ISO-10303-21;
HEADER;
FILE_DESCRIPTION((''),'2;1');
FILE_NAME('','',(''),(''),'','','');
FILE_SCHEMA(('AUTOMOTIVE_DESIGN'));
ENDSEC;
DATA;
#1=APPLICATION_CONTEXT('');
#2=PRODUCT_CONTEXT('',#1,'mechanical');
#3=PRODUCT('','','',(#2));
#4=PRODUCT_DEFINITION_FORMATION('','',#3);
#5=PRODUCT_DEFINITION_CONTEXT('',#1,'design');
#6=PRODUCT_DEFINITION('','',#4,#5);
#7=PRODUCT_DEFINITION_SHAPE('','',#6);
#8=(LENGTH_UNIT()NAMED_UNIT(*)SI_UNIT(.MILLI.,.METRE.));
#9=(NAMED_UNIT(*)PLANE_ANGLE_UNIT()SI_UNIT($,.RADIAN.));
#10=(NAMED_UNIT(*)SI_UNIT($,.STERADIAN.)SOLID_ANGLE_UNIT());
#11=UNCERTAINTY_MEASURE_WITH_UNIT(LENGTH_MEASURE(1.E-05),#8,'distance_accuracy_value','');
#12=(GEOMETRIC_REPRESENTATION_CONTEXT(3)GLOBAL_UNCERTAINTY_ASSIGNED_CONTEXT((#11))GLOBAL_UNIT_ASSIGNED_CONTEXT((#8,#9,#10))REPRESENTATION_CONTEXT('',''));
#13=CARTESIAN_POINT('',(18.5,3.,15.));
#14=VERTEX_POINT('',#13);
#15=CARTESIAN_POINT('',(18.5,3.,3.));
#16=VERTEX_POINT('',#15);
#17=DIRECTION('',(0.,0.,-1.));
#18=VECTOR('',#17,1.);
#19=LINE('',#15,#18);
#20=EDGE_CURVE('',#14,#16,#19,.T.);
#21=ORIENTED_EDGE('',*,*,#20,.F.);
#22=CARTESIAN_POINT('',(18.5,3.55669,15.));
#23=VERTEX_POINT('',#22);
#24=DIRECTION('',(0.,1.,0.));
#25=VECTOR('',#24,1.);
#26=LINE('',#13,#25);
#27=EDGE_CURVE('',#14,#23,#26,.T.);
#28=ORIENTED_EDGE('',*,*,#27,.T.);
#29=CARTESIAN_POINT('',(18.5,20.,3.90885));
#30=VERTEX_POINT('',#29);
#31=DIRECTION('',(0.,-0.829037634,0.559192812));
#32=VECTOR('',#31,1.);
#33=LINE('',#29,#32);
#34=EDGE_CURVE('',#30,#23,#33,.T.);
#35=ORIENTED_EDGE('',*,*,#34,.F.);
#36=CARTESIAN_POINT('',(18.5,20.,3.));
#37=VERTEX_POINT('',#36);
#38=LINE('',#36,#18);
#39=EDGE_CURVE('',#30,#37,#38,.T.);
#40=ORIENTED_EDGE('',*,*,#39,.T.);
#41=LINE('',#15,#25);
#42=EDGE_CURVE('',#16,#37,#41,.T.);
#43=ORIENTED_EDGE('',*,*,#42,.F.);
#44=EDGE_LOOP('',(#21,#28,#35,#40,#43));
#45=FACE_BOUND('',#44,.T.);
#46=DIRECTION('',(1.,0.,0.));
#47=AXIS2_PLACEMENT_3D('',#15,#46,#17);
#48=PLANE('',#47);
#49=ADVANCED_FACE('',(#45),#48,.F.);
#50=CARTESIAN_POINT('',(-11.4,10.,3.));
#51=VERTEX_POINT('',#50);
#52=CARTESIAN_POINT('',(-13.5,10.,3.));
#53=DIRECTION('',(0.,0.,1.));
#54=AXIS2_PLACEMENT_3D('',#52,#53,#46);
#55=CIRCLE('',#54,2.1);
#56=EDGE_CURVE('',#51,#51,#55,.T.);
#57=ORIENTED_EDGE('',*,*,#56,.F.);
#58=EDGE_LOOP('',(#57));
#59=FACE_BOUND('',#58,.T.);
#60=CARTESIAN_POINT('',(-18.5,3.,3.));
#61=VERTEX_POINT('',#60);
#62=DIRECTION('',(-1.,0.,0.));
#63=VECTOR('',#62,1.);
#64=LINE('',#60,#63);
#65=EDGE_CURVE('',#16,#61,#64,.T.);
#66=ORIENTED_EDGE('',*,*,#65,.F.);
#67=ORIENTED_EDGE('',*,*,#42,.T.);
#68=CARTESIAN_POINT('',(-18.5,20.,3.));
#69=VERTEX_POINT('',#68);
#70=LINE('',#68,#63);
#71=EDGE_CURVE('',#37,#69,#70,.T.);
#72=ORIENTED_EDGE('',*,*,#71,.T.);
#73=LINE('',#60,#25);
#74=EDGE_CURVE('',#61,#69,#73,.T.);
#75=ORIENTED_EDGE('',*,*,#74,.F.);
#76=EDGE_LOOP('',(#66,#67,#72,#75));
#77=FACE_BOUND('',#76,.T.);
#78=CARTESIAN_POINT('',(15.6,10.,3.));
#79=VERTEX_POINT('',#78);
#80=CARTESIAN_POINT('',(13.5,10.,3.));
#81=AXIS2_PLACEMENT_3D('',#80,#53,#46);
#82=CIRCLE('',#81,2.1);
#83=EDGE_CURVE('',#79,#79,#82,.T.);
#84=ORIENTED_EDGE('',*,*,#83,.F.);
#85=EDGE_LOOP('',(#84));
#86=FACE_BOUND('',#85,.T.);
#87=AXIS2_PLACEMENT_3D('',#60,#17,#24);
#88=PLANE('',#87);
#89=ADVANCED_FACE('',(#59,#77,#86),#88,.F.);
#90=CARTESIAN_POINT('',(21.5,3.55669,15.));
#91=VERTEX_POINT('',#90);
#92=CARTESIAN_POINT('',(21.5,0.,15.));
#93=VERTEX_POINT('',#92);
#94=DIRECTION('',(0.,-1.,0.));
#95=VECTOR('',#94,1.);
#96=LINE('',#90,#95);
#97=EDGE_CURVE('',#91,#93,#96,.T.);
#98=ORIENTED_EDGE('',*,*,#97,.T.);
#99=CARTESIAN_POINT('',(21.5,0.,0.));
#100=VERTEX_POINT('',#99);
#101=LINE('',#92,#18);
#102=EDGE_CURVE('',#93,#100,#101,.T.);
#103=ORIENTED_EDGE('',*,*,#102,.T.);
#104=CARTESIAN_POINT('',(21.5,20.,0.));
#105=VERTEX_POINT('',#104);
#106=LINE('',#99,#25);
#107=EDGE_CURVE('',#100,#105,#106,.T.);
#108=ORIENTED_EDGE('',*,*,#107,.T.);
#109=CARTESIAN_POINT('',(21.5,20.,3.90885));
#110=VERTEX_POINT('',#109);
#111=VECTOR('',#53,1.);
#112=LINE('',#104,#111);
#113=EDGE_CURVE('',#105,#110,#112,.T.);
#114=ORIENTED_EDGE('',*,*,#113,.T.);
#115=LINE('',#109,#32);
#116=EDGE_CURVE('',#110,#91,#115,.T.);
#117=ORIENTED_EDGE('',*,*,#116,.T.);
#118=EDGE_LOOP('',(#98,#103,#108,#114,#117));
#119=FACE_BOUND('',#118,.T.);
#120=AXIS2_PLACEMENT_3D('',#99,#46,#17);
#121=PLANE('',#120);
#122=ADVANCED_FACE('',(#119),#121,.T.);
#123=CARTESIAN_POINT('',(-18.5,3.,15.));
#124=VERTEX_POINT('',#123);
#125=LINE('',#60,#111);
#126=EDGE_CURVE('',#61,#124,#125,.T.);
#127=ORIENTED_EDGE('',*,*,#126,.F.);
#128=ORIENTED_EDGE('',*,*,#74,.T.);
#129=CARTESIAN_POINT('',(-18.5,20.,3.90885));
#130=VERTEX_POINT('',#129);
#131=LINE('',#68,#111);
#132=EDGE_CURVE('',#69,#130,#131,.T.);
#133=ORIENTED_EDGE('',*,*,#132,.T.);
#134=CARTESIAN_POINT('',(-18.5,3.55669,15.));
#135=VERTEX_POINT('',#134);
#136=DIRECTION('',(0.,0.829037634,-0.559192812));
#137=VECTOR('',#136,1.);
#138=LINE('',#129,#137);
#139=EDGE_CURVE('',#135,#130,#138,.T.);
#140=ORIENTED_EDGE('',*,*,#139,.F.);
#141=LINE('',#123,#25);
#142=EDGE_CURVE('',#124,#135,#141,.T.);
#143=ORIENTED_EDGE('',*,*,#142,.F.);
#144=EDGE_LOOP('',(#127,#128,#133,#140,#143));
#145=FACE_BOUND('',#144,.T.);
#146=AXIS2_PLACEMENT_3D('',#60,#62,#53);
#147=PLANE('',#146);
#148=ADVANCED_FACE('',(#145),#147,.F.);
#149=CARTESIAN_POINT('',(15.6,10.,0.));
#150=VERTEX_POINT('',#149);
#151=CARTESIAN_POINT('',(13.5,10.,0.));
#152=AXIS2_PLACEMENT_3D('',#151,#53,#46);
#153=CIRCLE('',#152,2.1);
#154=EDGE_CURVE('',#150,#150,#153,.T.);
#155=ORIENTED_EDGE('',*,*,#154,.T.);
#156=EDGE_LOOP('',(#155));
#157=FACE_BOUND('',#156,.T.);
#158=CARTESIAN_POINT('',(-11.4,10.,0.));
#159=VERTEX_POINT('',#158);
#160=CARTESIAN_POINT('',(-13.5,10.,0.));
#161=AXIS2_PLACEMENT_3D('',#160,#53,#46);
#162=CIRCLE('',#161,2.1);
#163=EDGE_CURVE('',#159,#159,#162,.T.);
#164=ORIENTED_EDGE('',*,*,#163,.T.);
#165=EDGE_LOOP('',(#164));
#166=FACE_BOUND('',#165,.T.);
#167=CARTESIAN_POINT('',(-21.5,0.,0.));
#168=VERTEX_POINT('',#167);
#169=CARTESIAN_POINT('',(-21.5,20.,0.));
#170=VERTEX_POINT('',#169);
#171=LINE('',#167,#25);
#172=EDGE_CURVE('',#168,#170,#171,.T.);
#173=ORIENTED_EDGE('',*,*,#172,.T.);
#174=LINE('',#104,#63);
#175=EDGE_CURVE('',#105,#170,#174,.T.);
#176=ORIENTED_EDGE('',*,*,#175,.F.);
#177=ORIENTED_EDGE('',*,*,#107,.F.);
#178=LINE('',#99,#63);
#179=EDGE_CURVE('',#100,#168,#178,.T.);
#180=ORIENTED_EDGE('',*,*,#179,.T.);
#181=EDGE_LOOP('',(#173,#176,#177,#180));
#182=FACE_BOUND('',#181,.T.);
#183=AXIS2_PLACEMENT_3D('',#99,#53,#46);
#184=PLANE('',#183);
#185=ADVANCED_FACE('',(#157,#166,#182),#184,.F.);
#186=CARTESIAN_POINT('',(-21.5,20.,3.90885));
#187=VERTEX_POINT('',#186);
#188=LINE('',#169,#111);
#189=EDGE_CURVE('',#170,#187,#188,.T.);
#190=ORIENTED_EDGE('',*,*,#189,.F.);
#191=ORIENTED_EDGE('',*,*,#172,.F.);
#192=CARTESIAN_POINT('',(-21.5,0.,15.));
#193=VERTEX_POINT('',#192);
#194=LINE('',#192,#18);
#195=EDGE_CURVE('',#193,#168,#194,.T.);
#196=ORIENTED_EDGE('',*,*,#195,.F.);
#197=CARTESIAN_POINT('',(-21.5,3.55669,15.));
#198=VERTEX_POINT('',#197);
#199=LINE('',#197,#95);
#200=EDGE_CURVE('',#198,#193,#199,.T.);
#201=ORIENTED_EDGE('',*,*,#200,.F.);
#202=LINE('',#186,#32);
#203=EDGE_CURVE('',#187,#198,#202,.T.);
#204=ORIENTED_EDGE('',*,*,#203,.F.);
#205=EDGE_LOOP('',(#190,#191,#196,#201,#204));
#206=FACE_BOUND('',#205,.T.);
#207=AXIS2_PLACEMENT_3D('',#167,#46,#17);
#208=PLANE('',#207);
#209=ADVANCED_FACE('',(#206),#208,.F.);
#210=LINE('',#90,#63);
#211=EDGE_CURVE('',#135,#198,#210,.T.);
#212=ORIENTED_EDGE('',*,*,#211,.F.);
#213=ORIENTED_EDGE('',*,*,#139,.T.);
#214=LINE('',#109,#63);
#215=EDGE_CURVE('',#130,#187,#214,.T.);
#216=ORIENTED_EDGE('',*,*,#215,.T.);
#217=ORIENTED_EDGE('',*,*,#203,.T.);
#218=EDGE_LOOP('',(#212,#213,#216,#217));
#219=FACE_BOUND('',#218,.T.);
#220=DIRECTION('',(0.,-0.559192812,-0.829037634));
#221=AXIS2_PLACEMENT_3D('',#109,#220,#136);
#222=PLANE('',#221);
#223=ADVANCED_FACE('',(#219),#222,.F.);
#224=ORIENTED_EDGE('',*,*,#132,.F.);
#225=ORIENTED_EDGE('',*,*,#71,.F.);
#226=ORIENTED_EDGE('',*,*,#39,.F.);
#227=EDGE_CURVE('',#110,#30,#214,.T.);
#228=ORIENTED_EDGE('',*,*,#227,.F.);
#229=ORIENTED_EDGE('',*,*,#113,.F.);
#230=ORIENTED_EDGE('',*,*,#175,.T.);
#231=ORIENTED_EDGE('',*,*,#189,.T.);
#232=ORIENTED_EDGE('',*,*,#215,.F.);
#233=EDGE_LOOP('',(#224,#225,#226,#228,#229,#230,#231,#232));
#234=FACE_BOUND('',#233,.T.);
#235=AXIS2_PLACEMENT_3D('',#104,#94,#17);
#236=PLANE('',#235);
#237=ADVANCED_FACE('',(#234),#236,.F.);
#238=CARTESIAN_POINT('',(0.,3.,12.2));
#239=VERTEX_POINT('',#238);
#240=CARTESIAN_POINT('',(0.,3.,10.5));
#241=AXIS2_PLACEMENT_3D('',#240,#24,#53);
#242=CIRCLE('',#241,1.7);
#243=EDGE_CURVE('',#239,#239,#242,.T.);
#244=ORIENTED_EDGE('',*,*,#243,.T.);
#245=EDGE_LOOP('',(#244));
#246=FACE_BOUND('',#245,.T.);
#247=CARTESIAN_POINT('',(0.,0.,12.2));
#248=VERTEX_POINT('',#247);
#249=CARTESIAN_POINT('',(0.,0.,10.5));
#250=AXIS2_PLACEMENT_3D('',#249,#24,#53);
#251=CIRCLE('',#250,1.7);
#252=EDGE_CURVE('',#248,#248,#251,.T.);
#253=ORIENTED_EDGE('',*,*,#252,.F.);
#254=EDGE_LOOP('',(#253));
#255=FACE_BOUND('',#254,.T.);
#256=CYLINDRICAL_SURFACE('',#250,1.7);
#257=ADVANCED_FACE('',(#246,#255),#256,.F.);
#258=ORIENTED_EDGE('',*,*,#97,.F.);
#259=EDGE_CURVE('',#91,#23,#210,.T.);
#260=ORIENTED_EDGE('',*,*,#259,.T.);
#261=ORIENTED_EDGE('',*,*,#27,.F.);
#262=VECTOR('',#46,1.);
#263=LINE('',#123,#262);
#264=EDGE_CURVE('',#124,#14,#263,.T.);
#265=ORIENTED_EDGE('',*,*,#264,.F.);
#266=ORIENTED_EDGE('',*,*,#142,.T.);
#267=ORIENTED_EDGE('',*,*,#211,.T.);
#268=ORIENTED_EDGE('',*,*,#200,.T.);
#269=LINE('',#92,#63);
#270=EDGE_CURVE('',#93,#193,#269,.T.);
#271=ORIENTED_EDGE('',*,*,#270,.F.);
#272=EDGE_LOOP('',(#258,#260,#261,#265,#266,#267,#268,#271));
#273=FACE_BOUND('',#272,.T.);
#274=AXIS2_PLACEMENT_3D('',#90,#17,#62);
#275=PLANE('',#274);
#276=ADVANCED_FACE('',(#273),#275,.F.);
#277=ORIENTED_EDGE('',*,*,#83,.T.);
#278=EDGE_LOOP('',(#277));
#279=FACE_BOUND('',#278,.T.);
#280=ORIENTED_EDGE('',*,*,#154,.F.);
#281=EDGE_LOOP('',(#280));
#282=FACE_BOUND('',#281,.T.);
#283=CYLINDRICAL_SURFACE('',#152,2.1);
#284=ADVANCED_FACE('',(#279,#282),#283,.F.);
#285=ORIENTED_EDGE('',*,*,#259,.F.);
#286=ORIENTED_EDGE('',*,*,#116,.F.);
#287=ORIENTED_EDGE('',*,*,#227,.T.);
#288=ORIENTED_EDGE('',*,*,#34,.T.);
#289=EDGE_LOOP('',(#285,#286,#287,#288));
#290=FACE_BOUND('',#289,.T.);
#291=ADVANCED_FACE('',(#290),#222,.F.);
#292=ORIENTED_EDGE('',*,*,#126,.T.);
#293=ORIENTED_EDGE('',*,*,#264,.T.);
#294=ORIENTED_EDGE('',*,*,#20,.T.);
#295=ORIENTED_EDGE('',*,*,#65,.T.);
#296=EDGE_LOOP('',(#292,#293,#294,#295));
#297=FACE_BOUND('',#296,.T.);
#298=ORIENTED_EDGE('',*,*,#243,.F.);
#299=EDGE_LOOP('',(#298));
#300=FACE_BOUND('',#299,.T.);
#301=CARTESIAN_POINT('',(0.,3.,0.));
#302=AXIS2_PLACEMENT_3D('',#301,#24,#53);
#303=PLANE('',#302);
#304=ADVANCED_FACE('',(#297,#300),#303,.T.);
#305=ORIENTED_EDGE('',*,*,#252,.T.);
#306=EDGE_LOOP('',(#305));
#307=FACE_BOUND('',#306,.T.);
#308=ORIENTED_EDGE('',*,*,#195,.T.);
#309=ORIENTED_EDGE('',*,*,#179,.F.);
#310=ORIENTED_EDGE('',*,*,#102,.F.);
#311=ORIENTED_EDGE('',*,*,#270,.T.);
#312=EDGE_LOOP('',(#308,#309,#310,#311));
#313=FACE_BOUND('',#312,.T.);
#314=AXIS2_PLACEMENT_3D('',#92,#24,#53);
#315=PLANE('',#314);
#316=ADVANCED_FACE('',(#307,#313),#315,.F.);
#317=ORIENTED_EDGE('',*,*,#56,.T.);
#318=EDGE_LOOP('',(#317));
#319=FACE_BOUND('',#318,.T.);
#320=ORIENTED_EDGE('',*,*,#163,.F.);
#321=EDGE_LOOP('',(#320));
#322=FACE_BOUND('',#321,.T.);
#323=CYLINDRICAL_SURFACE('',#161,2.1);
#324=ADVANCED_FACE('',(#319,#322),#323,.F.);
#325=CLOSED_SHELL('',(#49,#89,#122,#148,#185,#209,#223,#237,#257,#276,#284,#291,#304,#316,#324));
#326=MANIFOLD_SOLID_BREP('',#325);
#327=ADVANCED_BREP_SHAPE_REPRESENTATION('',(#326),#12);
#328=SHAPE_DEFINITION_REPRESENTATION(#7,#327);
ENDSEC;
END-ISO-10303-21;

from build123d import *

# Parameters (mm, degrees)
BOSS_EXTRUDE3_DEPTH = 21.5
SKETCH4_W           = 37
SKETCH4_H           = 12
CUT_EXTRUDE1_DEPTH  = 17
SKETCH5_R           = 2.1
CUT_EXTRUDE2_DEPTH  = 32.721443851
SKETCH6_R           = 1.7
CUT_EXTRUDE3_DEPTH  = 32.2449996


with BuildPart() as part:
    # Sketch3 → Boss-Extrude3 (new, symmetric)
    with BuildSketch(Plane(origin=(0, 0, 0), x_dir=(0, 0, -1), z_dir=(1, 0, 0))):
        Polygon((0, 0), (0, 20), (-3.90885, 20), (-15, 3.55669), (-15, 0), align=None)
    extrude(amount=BOSS_EXTRUDE3_DEPTH, both=True)

    # Sketch4 → Cut-Extrude1 (cut)
    with BuildSketch(Plane(origin=(0, 20, 0), x_dir=(1, 0, 0), z_dir=(0, 1, 0))):
        with Locations((0, -9)):
            Rectangle(SKETCH4_W, SKETCH4_H)
    extrude(amount=-CUT_EXTRUDE1_DEPTH, mode=Mode.SUBTRACT)

    # Sketch5 → Cut-Extrude2 (cut, through all)
    with BuildSketch(Plane.XY.offset(3)):
        with Locations((-13.5, 10)):
            Circle(SKETCH5_R)
        with Locations((13.5, 10)):
            Circle(SKETCH5_R)
    extrude(amount=-CUT_EXTRUDE2_DEPTH, mode=Mode.SUBTRACT)

    # Sketch6 → Cut-Extrude3 (cut, through all)
    with BuildSketch(Plane(origin=(0, 3, 0), x_dir=(1, 0, 0), z_dir=(0, 1, 0))):
        with Locations(Location((0, -10.5, 0), (0, 0, 270))):
            Circle(SKETCH6_R)
    extrude(amount=-CUT_EXTRUDE3_DEPTH, mode=Mode.SUBTRACT)


solid = part.part
